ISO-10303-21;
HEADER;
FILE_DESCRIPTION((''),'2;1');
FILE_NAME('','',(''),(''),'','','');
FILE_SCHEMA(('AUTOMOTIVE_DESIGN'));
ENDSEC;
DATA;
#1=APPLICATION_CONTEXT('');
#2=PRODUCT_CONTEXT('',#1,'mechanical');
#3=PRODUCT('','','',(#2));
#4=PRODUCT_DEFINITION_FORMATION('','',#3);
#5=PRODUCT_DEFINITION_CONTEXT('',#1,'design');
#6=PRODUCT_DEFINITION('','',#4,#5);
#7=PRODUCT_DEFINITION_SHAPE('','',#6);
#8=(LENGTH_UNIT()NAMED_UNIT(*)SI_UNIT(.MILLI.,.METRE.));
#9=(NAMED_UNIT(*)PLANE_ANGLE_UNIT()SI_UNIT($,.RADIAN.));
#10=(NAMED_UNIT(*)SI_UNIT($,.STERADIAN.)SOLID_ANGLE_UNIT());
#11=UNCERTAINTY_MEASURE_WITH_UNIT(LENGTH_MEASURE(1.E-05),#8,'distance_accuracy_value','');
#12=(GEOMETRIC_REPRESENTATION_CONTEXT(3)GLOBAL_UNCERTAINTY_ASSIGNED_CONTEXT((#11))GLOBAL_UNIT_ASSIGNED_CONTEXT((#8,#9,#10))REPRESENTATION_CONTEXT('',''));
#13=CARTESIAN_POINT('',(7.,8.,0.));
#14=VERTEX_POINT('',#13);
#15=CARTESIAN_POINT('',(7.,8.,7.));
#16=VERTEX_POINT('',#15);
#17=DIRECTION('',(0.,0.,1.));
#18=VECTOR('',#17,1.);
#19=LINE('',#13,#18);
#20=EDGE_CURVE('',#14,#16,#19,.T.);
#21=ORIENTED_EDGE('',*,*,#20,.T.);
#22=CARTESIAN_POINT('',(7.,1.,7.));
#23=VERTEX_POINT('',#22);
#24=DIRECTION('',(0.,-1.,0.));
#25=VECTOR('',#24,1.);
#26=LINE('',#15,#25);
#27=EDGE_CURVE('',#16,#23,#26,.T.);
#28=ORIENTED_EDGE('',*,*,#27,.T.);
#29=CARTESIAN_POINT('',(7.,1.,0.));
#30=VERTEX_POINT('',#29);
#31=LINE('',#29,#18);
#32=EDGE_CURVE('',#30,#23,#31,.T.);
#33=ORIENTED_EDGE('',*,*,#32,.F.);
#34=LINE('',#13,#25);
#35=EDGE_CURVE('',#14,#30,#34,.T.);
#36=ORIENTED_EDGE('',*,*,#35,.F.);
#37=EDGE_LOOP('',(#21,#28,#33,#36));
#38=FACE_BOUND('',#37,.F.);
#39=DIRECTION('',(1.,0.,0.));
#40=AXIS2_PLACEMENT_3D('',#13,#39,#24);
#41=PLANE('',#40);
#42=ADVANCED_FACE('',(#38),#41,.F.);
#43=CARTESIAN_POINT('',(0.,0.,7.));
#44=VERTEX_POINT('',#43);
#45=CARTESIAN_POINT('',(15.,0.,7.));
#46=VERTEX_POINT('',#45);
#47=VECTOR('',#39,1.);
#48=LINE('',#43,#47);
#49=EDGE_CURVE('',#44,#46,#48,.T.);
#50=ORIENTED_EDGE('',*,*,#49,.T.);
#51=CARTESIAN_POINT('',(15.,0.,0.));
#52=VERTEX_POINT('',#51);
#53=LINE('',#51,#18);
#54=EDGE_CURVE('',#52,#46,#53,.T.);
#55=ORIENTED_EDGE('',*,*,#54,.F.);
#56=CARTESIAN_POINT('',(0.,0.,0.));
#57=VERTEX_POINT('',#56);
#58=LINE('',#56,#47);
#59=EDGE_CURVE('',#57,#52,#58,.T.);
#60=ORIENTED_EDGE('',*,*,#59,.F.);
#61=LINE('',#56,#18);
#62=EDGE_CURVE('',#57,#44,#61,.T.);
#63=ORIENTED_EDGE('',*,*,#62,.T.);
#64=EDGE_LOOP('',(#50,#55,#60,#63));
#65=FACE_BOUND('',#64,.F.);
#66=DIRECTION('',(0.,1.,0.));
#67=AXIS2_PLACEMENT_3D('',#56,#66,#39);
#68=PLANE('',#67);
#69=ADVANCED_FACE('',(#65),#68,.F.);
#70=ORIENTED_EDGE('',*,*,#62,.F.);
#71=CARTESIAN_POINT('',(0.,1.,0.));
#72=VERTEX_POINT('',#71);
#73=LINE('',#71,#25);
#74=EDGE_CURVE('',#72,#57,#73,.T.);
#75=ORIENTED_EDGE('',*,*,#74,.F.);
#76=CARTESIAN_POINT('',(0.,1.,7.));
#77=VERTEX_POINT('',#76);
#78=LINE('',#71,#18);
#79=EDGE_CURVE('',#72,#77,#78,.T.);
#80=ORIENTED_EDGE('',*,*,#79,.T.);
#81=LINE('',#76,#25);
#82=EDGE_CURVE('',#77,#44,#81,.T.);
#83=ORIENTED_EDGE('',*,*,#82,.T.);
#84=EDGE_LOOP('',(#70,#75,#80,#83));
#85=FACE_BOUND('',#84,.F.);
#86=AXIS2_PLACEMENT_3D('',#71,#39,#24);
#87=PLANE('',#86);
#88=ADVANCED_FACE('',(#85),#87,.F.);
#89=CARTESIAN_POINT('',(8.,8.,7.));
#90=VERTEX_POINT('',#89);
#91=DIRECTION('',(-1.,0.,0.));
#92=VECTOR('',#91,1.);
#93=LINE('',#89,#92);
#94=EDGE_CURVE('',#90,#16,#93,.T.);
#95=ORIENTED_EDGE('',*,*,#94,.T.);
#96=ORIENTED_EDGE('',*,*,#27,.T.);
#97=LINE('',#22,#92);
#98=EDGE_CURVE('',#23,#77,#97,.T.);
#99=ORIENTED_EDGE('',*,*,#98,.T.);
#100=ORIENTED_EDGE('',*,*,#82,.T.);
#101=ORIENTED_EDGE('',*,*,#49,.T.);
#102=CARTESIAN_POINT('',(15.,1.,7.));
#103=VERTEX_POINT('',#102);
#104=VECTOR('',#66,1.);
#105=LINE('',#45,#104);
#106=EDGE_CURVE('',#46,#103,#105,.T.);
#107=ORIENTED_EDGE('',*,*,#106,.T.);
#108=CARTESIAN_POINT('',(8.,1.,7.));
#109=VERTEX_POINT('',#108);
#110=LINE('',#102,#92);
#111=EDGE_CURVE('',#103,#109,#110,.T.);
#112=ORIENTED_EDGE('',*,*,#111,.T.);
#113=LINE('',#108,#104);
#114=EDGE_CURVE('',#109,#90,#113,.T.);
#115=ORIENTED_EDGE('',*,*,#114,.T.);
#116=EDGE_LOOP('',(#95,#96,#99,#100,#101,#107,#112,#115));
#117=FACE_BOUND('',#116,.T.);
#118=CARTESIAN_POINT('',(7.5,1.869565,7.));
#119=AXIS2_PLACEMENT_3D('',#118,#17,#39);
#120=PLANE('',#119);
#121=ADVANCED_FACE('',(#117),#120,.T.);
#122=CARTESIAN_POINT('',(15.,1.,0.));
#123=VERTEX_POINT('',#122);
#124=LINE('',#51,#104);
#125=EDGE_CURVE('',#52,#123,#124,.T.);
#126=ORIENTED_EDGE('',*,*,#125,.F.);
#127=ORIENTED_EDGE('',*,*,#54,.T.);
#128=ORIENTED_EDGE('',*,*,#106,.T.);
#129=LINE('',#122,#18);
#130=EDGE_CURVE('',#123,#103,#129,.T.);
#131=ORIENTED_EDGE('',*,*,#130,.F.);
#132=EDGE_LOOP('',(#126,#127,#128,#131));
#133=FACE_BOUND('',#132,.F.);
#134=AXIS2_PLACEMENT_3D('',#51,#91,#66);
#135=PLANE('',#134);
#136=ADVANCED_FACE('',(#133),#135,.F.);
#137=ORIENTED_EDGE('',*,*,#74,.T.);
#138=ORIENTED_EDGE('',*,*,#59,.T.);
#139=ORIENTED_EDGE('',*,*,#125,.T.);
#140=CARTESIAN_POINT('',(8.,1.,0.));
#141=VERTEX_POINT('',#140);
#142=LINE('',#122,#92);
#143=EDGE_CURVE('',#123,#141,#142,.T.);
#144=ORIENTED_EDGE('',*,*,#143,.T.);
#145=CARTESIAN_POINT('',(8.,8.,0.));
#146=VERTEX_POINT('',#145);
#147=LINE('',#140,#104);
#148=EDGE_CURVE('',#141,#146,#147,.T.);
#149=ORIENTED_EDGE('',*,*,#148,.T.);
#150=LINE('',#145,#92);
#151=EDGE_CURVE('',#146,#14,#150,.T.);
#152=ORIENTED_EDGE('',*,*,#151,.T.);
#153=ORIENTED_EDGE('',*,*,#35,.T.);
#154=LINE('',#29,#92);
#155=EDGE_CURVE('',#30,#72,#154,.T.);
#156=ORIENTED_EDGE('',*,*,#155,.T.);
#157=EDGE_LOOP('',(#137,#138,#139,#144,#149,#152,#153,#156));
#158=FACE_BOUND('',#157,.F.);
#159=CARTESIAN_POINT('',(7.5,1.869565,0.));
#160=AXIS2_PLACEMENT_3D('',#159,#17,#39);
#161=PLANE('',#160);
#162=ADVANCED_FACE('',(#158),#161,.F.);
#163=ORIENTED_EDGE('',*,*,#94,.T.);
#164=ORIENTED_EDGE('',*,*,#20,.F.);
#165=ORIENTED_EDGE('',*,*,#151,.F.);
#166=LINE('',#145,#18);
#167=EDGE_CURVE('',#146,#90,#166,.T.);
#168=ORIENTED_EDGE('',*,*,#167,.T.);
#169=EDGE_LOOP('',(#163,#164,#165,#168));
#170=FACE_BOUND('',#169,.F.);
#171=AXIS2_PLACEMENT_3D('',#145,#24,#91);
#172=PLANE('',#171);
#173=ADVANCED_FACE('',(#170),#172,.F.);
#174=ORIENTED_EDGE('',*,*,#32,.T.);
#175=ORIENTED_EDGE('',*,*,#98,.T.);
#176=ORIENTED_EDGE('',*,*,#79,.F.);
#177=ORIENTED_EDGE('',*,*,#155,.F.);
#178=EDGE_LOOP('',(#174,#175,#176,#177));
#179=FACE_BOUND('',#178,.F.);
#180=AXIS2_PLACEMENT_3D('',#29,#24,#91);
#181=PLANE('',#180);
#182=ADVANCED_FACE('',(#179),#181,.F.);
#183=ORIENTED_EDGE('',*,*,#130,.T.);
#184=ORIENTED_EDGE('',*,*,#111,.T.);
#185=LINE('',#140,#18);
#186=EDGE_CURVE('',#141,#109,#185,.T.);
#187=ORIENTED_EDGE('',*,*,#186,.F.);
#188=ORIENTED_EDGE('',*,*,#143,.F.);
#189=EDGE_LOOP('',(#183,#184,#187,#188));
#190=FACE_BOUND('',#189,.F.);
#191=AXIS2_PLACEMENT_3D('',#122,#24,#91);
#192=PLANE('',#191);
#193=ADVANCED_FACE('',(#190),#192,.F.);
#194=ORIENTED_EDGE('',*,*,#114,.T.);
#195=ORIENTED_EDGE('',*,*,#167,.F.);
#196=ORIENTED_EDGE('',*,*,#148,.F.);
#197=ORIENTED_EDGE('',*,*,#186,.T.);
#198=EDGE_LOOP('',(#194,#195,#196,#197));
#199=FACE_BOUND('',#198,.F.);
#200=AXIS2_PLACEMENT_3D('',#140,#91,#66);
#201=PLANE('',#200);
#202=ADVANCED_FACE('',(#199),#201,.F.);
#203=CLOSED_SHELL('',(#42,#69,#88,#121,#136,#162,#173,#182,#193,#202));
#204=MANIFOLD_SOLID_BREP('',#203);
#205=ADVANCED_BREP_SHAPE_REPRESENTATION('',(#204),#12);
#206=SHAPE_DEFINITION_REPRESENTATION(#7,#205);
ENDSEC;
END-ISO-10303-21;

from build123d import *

# Parameters (mm, degrees)
PAD_DEPTH = 7


with BuildPart() as part:
    # Sketch → Pad (new body)
    with BuildSketch(Plane.XY):
        Polygon((0, 0), (15, 0), (15, 1), (8, 1), (8, 8), (7, 8), (7, 1), (0, 1), align=None)
    extrude(amount=PAD_DEPTH)


solid = part.part
